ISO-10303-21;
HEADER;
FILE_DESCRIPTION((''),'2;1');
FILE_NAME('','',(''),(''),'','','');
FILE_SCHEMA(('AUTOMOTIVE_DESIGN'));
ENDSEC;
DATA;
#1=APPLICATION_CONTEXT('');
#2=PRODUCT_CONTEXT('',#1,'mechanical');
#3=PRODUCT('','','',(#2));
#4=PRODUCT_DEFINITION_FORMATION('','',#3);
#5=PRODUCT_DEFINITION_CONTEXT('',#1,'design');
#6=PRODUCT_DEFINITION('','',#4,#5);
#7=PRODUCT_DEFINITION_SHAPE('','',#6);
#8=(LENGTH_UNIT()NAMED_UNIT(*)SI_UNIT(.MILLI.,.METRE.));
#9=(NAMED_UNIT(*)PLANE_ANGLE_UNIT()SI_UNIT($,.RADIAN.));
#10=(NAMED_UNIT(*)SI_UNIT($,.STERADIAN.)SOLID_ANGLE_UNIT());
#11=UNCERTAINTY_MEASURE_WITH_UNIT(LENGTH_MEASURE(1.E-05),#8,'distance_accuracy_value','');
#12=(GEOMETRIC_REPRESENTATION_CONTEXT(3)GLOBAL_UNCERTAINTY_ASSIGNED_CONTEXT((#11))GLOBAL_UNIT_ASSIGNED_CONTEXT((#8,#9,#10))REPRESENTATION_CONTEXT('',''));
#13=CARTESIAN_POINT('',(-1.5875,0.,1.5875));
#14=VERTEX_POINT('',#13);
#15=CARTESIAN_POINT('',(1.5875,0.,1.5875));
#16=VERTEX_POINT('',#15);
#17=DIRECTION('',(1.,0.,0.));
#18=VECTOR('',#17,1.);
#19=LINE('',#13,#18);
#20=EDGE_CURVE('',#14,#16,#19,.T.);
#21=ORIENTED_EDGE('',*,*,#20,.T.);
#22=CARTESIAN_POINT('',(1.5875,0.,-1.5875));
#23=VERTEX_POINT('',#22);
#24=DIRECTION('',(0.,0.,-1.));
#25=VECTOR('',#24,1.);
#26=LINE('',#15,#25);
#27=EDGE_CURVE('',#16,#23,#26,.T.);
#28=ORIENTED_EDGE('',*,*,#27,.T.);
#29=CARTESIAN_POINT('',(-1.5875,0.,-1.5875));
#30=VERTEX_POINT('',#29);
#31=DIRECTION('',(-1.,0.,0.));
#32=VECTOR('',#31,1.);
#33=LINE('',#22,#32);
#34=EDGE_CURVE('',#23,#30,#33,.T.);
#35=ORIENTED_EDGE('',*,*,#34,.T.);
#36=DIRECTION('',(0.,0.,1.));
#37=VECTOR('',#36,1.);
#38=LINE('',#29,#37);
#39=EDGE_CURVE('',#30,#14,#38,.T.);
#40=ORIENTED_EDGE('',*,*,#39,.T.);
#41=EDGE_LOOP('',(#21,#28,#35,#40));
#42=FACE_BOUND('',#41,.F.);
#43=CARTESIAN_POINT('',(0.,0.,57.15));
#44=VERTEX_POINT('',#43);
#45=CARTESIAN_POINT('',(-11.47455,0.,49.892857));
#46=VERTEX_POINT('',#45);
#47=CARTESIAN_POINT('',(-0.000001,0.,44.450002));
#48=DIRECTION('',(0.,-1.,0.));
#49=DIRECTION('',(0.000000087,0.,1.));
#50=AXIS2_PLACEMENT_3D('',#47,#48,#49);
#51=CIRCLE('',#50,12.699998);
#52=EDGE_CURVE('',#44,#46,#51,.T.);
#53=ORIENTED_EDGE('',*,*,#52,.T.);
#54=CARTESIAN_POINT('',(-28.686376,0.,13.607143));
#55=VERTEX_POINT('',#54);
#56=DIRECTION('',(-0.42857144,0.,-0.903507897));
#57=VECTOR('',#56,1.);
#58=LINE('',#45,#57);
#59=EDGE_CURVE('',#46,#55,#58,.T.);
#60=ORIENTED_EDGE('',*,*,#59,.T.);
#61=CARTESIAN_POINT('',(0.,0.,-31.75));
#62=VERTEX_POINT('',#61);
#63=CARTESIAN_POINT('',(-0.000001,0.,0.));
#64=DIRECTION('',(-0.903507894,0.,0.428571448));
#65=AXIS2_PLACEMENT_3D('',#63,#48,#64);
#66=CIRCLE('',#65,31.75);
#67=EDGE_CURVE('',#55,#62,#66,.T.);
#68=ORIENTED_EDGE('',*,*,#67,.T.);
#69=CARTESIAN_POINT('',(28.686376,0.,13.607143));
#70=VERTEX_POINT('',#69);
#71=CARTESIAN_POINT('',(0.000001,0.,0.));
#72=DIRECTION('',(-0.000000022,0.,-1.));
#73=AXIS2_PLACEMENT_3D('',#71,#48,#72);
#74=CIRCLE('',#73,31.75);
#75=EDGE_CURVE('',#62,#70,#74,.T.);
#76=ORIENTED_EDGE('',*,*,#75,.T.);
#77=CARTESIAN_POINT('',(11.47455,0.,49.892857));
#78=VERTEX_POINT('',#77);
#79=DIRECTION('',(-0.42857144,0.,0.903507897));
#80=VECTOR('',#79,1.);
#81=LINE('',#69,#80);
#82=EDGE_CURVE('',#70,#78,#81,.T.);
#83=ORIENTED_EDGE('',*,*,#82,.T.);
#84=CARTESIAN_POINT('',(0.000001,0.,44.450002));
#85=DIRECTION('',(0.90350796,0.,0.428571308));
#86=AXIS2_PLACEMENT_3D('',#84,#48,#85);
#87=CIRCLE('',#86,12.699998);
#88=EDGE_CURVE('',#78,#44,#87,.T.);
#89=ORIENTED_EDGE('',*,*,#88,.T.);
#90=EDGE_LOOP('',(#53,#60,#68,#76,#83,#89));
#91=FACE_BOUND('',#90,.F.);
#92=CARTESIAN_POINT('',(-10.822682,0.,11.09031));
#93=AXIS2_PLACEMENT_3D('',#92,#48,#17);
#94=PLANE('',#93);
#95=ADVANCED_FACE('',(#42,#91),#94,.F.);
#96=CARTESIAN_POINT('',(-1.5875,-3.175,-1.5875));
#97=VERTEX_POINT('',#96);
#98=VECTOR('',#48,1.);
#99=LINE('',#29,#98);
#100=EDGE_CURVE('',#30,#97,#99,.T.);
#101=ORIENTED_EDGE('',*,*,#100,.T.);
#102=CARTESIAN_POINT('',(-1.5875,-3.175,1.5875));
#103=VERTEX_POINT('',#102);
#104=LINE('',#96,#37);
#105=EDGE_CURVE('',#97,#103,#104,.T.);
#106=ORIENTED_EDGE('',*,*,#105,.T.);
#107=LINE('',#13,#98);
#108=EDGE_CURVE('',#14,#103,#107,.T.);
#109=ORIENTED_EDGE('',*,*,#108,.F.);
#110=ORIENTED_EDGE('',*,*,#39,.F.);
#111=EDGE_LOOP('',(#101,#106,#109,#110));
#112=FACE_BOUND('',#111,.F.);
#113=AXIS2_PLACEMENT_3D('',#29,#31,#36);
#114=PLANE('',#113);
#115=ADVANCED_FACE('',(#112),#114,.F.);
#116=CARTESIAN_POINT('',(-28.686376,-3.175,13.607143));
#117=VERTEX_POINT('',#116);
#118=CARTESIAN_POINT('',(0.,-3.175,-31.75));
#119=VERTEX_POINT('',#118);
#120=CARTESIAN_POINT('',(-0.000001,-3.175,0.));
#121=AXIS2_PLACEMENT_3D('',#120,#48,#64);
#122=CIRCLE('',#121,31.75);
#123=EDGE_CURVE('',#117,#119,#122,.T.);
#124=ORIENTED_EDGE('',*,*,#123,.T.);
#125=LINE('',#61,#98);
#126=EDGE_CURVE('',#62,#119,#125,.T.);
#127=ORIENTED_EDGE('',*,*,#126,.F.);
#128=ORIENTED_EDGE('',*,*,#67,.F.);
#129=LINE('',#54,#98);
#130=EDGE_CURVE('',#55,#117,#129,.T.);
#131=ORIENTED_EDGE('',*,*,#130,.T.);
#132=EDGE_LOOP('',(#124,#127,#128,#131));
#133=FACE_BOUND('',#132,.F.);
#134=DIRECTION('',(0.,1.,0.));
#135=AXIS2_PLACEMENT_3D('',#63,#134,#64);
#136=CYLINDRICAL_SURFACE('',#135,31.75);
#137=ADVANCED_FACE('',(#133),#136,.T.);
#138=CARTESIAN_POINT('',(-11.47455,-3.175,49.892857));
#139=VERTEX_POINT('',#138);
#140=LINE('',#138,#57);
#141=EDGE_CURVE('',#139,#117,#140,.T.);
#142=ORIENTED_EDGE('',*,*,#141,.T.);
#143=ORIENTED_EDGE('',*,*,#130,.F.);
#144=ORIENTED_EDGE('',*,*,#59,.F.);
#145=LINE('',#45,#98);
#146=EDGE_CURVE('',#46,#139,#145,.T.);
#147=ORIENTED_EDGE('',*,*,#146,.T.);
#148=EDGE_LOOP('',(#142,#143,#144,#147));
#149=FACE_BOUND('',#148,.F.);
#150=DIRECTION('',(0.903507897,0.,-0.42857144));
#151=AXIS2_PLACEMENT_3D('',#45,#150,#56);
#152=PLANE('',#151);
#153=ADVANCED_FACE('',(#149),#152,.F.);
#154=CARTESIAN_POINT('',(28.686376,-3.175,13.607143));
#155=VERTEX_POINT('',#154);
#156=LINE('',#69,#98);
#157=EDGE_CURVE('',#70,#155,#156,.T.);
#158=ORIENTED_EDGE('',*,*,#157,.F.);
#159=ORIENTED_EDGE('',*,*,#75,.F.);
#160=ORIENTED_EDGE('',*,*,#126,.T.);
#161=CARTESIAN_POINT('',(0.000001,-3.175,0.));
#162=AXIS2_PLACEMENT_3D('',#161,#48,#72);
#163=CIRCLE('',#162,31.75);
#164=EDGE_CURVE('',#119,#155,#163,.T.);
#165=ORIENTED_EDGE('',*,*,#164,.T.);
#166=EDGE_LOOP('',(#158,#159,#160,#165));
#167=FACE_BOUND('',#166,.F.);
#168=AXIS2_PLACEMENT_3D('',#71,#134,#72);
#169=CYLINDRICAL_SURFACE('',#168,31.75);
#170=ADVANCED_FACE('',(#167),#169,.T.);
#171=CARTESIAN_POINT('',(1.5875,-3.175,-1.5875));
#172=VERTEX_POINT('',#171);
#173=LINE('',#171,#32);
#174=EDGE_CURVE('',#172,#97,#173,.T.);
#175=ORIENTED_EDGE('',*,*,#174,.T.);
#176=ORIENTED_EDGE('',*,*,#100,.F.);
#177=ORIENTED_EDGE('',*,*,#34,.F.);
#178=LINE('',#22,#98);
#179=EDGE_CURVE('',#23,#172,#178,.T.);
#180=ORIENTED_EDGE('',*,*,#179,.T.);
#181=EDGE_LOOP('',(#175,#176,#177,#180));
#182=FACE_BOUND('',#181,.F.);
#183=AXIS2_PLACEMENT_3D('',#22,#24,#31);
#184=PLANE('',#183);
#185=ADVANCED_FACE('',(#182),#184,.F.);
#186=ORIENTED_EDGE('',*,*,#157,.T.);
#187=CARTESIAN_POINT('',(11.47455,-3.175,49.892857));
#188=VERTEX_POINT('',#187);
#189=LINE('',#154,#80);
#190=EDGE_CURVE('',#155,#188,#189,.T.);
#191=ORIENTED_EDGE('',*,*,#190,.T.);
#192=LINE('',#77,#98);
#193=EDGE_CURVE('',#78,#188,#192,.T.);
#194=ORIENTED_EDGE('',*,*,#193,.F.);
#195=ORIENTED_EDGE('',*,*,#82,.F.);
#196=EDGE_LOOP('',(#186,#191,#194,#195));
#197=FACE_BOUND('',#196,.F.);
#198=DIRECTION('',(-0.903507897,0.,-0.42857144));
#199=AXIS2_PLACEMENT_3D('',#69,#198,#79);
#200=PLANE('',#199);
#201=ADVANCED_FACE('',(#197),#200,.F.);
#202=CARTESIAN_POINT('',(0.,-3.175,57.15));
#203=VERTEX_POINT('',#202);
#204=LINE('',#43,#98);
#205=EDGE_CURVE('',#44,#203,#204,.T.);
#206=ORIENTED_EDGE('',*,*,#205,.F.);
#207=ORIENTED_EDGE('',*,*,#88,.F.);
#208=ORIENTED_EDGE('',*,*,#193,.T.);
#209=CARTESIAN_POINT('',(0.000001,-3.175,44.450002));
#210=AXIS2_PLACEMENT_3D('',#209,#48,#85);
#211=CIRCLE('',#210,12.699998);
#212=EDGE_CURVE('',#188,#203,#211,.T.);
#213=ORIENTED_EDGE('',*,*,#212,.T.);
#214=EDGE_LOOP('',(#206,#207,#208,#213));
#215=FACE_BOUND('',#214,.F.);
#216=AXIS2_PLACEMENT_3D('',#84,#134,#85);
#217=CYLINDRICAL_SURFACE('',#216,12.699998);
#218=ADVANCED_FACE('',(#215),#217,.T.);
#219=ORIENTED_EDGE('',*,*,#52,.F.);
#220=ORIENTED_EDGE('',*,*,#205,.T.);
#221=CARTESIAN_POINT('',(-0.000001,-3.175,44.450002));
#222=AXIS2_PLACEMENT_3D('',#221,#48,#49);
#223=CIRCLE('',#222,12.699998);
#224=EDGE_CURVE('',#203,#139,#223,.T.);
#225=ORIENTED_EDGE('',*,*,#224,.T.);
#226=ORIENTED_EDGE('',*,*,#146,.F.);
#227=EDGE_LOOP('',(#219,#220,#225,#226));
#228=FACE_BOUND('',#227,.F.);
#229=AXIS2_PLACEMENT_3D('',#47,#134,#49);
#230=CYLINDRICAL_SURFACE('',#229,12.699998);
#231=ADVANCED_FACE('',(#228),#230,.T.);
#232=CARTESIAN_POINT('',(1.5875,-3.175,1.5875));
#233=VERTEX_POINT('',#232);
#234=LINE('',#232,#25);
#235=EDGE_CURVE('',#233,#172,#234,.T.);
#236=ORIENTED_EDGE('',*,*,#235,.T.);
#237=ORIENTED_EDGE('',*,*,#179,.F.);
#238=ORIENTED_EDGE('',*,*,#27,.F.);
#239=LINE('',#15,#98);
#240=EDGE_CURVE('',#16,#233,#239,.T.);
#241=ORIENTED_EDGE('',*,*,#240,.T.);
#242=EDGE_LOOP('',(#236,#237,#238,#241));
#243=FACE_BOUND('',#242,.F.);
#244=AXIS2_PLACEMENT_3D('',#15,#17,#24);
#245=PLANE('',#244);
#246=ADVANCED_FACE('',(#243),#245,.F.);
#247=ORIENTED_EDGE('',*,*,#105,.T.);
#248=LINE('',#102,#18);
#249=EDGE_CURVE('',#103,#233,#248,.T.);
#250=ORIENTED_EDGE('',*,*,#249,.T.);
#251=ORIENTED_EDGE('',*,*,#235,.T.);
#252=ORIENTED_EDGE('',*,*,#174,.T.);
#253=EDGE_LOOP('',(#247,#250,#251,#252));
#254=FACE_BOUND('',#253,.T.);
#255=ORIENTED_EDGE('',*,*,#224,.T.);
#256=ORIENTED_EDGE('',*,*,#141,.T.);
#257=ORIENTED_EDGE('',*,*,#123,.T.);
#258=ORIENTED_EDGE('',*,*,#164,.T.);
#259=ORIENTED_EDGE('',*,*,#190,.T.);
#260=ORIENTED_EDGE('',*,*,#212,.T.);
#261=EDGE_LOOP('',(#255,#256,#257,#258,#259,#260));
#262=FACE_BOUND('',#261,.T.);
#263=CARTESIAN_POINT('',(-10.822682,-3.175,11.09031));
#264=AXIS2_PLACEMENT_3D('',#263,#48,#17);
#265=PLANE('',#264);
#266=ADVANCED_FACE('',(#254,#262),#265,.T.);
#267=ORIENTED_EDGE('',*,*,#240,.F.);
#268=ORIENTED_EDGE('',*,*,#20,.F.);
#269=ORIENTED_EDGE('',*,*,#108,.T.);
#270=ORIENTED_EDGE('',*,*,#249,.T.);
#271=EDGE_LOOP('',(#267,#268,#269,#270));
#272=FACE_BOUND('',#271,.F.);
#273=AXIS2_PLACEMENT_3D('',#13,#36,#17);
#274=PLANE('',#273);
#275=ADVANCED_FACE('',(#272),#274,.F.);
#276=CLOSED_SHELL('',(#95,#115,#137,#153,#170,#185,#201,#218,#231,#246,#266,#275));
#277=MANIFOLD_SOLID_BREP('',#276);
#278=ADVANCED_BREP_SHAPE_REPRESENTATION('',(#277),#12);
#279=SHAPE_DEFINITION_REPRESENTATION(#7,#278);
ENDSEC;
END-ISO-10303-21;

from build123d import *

# Parameters (mm, degrees)
F1_DEPTH = 3.175


with BuildPart() as f1:
    # F0 (on Front) → F1 (new body)
    with BuildSketch(Plane.XZ):
        with BuildLine():
            Line((-1.5875, 1.5875), (0, 1.5875))
            Line((0, 1.5875), (0, 44.45))
            Line((0, 44.45), (0, 57.15))
            ThreePointArc((0, 57.15), (-6.788436, 55.183459), (-11.47455, 49.892857))
            Line((-11.47455, 49.892857), (-28.686376, 13.607143))
            ThreePointArc((-28.686376, 13.607143), (-26.833648, -16.971089), (0, -31.75))
            Line((0, -31.75), (0, -1.5875))
            Line((0, -1.5875), (-1.5875, -1.5875))
            Line((-1.5875, -1.5875), (-1.5875, 1.5875))
        make_face()
        with BuildLine():
            Line((0, 44.45), (0, 1.5875))
            Line((0, 1.5875), (1.5875, 1.5875))
            Line((1.5875, 1.5875), (1.5875, -1.5875))
            Line((1.5875, -1.5875), (0, -1.5875))
            Line((0, -1.5875), (0, -31.75))
            ThreePointArc((0, -31.75), (26.833648, -16.971089), (28.686376, 13.607143))
            Line((28.686376, 13.607143), (11.47455, 49.892857))
            ThreePointArc((11.47455, 49.892857), (6.788436, 55.183459), (0, 57.15))
            Line((0, 57.15), (0, 44.45))
        make_face()
    extrude(amount=F1_DEPTH)


solid = f1.part
